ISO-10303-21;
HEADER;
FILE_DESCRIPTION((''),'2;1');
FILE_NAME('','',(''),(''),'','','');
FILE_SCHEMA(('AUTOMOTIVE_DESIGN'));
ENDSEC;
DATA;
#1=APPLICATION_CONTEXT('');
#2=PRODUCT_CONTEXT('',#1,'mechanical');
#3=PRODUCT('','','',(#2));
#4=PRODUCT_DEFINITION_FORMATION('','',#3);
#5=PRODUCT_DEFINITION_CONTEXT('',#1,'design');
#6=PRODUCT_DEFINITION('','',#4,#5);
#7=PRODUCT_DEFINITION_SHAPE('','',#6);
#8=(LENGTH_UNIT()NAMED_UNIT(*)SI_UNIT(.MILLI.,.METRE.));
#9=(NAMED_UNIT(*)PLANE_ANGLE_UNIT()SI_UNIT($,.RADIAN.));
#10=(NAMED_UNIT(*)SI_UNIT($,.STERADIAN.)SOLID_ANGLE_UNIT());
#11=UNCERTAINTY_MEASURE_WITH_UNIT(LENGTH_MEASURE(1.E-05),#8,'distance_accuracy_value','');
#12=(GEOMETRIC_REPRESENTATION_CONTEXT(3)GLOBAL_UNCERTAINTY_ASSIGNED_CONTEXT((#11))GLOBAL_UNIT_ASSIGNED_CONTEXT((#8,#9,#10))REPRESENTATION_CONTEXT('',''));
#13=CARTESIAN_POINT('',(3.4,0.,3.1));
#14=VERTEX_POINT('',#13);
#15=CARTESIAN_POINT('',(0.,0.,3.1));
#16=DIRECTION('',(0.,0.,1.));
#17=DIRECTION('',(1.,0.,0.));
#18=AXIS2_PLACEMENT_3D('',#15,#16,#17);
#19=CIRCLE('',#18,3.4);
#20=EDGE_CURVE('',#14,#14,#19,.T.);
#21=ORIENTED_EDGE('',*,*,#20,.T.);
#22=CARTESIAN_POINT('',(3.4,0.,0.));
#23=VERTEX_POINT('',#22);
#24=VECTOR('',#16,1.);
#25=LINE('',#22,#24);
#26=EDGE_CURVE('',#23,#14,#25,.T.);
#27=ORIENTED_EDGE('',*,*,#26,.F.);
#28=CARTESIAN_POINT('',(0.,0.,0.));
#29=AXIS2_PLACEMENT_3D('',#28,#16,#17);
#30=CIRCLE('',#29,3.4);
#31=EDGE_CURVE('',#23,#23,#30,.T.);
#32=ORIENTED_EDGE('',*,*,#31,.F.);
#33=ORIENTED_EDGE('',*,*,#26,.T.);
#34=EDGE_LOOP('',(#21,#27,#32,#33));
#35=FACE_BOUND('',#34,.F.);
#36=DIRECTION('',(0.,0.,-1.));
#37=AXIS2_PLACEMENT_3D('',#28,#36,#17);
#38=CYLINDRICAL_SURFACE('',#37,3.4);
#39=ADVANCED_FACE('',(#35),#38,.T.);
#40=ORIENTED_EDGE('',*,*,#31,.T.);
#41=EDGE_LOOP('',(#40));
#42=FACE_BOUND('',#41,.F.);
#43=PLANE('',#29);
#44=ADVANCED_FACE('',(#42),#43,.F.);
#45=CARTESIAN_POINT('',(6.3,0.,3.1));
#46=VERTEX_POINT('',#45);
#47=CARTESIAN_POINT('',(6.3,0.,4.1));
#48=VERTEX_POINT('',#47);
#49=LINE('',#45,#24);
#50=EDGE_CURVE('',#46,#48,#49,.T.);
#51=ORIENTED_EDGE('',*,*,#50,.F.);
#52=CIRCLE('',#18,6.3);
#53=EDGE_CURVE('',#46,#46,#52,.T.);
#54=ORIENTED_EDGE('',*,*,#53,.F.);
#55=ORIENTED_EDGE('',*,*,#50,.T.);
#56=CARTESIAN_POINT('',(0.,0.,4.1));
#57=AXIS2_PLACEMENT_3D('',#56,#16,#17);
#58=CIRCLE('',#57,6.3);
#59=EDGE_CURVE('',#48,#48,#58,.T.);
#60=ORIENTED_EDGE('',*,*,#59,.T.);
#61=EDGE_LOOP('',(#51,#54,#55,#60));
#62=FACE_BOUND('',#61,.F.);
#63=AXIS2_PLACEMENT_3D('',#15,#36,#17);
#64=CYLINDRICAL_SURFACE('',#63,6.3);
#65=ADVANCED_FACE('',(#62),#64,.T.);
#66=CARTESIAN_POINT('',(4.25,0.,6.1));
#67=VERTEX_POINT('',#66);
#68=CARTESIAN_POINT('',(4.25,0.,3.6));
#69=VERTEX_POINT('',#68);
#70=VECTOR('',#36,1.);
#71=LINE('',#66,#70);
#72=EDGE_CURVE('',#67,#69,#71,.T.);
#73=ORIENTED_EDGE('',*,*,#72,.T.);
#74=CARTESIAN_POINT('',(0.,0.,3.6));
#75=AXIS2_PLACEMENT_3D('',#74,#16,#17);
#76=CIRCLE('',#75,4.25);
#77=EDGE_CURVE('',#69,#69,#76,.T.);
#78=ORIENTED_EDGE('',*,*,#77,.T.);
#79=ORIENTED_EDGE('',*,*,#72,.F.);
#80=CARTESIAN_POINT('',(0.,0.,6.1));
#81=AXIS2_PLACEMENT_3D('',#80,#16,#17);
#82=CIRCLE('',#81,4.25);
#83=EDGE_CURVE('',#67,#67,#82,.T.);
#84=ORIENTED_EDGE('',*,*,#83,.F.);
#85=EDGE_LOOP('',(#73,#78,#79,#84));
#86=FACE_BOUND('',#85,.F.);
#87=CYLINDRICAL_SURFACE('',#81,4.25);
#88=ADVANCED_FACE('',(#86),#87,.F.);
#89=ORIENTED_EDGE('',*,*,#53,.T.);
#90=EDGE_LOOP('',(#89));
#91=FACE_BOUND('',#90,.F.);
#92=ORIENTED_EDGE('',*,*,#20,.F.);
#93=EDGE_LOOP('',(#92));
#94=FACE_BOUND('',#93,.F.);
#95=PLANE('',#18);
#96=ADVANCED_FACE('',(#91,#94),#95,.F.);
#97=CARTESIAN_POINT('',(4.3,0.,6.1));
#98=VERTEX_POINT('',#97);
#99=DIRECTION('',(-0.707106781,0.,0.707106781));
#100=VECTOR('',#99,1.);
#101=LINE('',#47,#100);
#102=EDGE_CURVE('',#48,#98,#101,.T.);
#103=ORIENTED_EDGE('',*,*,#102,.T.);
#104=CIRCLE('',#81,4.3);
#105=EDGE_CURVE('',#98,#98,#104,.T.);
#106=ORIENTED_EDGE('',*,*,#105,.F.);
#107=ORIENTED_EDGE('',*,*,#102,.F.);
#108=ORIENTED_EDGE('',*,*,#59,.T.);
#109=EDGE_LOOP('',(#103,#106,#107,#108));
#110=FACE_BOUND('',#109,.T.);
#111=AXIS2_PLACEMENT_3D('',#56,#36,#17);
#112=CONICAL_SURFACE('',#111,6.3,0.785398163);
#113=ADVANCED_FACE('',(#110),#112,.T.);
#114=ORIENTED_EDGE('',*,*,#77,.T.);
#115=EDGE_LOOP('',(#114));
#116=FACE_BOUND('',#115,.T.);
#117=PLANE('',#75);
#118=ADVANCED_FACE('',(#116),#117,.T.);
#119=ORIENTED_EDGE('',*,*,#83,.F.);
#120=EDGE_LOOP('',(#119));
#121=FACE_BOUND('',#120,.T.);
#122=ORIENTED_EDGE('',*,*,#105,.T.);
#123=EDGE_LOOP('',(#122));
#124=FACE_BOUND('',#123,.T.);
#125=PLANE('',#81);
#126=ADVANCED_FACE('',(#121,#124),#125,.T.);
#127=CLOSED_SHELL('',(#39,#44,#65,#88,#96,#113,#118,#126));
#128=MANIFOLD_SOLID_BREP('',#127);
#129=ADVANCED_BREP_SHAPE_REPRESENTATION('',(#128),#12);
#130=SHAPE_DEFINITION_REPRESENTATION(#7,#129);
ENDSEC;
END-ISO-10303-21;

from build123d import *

# Parameters (mm, degrees)
F0_R     = 3.4
F1_DEPTH = 3.1
F2_R     = 6.3
F3_DEPTH = 3
F4_SIZE  = 2
F5_R     = 4.25
F6_DEPTH = 2.5


with BuildPart() as f1:
    # F0 (on Top) → F1 (new body)
    with BuildSketch(Plane.XY):
        Circle(F0_R)
    extrude(amount=F1_DEPTH)

    # F2 (on face) → F3 (join)
    with BuildSketch(Plane.XY.offset(3.1)):
        Circle(F2_R)
    extrude(amount=F3_DEPTH)

    # F4
    f4_edges = [f1.edges().sort_by_distance(p)[0] for p in [
        (-6.3, 0, 6.1),
    ]]
    chamfer(f4_edges, length=F4_SIZE)

    # F5 (on face) → F6 (cut)
    with BuildSketch(Plane.XY.offset(6.1)):
        Circle(F5_R)
    extrude(amount=-F6_DEPTH, mode=Mode.SUBTRACT)


solid = f1.part
